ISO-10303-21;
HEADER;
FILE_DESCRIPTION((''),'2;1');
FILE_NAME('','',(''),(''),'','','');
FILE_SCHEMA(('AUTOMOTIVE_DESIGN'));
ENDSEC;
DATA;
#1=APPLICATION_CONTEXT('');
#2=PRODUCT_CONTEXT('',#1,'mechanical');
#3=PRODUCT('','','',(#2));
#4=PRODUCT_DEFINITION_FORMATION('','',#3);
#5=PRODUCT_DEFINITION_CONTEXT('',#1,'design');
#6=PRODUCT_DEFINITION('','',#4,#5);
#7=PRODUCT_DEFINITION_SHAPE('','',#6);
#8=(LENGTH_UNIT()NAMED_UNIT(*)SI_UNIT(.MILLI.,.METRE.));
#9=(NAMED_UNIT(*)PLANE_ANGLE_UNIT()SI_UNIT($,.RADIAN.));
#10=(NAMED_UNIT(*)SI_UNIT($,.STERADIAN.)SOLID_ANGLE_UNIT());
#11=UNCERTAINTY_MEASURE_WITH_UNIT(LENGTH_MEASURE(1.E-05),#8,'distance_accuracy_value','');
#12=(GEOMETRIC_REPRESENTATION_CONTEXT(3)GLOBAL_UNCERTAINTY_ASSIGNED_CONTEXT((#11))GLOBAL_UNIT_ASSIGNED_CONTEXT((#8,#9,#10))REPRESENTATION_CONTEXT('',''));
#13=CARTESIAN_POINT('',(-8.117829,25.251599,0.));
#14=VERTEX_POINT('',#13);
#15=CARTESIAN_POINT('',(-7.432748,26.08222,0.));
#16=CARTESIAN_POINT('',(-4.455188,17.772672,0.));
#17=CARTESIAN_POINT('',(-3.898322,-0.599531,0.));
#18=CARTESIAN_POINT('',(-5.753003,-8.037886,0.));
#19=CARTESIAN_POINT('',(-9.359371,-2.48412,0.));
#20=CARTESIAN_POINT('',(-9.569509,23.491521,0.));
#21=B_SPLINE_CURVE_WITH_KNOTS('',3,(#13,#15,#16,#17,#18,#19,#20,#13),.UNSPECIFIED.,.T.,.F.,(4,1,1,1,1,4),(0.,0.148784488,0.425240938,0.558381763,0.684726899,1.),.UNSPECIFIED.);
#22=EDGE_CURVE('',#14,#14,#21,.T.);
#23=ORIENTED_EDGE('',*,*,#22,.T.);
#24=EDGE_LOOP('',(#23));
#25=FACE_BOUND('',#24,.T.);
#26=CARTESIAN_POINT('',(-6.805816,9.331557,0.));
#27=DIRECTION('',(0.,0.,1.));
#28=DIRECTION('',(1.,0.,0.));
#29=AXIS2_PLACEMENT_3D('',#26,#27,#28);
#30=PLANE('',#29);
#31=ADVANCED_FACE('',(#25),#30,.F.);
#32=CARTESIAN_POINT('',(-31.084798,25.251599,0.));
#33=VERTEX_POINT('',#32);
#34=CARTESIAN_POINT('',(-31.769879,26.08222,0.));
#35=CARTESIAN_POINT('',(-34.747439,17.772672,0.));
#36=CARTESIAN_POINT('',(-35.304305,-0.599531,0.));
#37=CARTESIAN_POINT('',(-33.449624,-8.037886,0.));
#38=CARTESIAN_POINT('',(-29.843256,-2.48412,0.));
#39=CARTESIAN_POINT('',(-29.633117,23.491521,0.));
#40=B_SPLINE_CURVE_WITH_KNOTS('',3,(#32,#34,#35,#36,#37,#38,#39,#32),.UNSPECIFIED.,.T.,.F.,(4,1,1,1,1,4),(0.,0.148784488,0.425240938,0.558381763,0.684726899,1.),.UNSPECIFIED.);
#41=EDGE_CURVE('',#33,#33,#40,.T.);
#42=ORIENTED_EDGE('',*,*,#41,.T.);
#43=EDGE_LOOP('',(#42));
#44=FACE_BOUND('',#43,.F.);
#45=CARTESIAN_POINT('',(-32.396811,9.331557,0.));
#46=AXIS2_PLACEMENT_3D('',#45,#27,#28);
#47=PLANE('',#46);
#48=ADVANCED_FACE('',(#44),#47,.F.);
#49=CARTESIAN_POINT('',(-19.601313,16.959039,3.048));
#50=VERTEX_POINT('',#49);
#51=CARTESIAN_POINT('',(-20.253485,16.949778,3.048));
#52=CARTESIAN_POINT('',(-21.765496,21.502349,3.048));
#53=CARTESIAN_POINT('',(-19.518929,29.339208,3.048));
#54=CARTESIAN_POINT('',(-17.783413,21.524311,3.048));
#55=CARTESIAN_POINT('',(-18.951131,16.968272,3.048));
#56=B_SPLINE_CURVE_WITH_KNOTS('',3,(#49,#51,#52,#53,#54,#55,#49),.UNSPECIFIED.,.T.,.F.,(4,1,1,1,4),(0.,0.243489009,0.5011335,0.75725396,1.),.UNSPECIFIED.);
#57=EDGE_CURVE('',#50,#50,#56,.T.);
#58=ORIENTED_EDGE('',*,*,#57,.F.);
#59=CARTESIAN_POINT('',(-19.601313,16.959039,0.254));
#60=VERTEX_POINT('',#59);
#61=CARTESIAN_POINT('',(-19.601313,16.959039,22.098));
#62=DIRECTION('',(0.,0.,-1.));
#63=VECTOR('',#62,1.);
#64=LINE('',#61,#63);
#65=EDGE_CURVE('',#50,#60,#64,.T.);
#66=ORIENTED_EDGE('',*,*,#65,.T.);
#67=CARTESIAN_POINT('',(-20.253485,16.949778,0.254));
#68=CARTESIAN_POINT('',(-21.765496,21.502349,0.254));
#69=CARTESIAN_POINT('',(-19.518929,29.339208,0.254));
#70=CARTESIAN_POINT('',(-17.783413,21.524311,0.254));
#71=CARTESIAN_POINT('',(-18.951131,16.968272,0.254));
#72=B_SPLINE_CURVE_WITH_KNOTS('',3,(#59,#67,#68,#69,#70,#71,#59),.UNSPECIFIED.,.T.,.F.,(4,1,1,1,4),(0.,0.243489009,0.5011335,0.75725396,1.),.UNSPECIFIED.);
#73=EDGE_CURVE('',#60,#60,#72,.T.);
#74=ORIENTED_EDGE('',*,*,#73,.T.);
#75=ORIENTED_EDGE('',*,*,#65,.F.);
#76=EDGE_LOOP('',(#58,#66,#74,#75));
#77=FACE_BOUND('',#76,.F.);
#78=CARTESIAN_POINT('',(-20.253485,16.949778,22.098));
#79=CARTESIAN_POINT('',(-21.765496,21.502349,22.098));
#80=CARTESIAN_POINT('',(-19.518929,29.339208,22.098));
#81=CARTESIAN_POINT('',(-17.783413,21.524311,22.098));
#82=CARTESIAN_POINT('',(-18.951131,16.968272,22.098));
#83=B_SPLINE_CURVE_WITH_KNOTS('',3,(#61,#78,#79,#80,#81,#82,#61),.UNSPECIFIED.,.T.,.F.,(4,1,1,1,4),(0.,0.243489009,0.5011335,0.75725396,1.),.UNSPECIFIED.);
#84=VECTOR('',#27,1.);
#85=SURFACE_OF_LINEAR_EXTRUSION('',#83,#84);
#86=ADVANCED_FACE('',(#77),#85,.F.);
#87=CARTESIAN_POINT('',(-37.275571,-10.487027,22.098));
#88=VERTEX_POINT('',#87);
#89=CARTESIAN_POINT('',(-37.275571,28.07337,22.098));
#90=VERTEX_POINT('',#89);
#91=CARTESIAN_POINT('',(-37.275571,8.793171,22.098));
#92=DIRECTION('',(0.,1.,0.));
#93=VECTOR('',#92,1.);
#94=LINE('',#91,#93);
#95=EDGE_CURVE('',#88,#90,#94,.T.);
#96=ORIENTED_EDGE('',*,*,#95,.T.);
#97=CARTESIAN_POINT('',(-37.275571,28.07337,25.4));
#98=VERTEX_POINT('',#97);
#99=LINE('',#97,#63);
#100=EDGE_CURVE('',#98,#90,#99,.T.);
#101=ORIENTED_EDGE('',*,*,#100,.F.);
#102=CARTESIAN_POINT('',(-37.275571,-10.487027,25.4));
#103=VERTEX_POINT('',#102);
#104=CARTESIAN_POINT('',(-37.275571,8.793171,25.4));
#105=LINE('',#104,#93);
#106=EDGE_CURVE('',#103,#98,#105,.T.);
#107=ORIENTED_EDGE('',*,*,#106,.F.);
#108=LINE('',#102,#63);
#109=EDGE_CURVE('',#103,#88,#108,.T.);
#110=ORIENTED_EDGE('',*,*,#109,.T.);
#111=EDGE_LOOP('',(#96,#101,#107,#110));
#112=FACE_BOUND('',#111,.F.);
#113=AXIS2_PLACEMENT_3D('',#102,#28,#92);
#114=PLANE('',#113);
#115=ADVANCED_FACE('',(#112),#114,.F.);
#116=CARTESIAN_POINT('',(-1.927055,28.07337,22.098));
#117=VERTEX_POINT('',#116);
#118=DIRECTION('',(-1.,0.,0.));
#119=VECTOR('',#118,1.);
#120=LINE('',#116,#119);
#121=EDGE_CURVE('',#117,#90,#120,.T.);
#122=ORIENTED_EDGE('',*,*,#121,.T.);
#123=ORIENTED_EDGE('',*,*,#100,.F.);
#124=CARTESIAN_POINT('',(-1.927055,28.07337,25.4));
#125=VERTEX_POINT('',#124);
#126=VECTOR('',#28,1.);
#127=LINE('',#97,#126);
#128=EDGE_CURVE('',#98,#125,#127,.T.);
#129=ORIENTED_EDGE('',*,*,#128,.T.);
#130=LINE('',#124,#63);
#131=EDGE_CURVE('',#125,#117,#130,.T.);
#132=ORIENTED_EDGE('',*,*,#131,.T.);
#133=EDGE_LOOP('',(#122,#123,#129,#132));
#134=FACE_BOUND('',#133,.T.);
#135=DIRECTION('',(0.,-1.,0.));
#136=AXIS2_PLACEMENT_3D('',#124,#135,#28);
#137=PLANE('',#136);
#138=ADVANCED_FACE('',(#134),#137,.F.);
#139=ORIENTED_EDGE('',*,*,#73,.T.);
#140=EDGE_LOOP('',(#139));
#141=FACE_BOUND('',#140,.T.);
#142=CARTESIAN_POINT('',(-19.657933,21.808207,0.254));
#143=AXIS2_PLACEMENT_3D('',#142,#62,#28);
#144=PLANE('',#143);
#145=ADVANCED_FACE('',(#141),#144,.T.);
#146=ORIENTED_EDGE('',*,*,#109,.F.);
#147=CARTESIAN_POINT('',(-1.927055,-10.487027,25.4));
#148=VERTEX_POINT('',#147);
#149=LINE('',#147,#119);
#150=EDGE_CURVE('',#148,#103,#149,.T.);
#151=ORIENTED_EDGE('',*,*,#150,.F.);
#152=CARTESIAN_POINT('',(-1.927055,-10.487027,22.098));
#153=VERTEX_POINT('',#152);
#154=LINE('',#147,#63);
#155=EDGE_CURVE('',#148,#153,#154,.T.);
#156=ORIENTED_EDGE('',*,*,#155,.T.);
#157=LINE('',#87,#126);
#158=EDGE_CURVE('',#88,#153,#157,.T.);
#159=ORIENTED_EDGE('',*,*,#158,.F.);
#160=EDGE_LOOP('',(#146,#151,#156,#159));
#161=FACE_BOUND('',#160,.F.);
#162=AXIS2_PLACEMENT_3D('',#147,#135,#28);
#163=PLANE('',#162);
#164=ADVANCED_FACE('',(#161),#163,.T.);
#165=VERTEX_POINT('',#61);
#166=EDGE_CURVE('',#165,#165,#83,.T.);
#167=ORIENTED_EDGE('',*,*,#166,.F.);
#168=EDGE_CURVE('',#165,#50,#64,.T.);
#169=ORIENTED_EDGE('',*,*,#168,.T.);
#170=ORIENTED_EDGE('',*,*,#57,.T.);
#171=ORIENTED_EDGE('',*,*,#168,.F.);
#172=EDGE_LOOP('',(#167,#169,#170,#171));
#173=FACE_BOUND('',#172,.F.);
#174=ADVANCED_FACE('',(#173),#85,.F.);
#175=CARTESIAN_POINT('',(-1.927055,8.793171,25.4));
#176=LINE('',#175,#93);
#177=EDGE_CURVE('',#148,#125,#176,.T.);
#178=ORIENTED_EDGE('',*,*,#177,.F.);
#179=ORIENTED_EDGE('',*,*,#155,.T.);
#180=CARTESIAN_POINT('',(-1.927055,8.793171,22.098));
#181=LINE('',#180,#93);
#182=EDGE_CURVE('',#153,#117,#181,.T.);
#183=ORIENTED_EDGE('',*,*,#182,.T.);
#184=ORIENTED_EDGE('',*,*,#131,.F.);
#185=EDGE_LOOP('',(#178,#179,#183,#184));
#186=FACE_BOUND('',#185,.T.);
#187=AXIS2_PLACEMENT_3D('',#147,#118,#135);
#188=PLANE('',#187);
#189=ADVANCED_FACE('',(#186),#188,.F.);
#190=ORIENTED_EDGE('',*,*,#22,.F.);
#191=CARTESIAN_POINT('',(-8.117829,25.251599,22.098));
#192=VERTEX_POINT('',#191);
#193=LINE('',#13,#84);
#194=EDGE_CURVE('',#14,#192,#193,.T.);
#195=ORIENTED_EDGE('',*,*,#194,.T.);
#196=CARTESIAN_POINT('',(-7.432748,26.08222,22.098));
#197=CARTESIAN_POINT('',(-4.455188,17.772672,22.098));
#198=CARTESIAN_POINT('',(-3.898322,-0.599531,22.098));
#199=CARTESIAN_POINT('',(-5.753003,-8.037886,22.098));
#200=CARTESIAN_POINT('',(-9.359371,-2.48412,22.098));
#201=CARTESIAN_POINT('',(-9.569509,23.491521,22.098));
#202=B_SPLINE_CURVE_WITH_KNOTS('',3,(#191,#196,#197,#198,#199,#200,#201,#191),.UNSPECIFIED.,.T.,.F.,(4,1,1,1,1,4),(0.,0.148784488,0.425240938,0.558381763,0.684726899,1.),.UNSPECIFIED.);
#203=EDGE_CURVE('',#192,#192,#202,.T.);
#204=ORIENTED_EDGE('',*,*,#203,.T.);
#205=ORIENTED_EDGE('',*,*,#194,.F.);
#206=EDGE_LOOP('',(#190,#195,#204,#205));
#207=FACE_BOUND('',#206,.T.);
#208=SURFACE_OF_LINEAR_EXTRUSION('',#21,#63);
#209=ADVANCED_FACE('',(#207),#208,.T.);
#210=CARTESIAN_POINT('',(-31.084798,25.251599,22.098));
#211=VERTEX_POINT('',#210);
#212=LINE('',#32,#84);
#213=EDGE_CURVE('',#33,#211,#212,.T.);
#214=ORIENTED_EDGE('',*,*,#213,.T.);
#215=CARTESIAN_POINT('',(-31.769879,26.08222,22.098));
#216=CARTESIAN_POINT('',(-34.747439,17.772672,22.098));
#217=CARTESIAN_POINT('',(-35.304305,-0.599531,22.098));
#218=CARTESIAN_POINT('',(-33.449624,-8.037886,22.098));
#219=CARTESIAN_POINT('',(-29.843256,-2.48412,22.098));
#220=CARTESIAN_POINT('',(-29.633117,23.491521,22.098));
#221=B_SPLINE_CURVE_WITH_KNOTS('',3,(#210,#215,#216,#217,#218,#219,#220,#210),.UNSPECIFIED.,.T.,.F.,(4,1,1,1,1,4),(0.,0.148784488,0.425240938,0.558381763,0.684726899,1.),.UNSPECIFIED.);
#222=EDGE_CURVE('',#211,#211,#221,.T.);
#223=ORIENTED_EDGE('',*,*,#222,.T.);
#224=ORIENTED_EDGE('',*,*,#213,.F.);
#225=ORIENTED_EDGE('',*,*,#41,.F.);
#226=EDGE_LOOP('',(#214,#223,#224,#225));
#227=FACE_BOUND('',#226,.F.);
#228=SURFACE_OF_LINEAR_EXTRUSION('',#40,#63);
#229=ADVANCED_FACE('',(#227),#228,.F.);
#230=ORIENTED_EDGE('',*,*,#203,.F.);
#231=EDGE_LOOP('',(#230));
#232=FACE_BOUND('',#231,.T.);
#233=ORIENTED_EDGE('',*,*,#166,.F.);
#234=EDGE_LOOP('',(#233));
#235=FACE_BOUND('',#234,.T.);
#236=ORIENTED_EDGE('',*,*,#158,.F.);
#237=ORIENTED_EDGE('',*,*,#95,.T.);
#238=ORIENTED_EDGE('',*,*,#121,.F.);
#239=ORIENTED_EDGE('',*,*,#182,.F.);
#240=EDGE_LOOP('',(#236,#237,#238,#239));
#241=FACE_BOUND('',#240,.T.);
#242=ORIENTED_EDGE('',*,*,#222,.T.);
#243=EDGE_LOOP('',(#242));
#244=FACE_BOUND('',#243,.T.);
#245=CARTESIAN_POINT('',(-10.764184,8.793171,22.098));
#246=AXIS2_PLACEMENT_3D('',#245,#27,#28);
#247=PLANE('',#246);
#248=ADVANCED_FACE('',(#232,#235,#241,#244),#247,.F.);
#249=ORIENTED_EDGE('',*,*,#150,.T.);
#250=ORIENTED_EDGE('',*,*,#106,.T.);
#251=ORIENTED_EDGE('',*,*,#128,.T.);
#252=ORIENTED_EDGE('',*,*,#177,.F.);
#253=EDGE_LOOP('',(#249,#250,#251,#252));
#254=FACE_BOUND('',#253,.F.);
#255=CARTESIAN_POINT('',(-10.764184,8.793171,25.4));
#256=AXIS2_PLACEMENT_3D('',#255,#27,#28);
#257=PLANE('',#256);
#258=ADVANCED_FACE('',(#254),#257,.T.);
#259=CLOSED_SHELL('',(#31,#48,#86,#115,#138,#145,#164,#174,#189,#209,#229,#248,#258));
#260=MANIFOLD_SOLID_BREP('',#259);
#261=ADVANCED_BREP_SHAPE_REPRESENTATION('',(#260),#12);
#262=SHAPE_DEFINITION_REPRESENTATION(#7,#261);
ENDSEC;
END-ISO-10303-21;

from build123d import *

# Parameters (mm, degrees)
F1_DEPTH = 25.4
F2_W     = 17.6742579788
F2_H     = 38.560397923
F3_DEPTH = 3.302
F6_DEPTH = 19.05
F7_DEPTH = 21.844


with BuildPart() as f1:
    # F0 (on Top) → F1 (new body)
    with BuildSketch(Plane.XY):
        with BuildLine():
            add(Edge.make_bspline(
                [(-31.0847982764, 25.2515990287), (-31.7698792393, 26.0822197703), (-34.7474391826, 17.7726717647), (-35.3043048421, -0.599531426), (-33.4496241903, -8.0378860922), (-29.8432562482, -2.4841204704), (-29.6331173718, 23.4915205345), (-31.0847982764, 25.2515990287)],
                knots=[0, 0, 0, 0, 0.1487844876, 0.425240938, 0.5583817626, 0.6847268991, 1, 1, 1, 1], degree=3))
        make_face()
    extrude(amount=F1_DEPTH)

    # F2 (on face) → F3 (join)
    with BuildSketch(Plane.XY.offset(25.4)):
        with Locations((-28.4384423867, 8.7931714952)):
            Rectangle(F2_W, F2_H)
        with BuildLine():
            add(Edge.make_bspline(
                [(-31.0847982764, 25.2515990287), (-31.7698792393, 26.0822197703), (-34.7474391826, 17.7726717647), (-35.3043048421, -0.599531426), (-33.4496241903, -8.0378860922), (-29.8432562482, -2.4841204704), (-29.6331173718, 23.4915205345), (-31.0847982764, 25.2515990287)],
                knots=[0, 0, 0, 0, 0.1487844876, 0.425240938, 0.5583817626, 0.6847268991, 1, 1, 1, 1], degree=3))
        make_face(mode=Mode.SUBTRACT)
    extrude(amount=-F3_DEPTH)

    # F4: F1 across face


with BuildPart() as f1_1:
    add(f1.part)
    add(f1.part.mirror(Plane(origin=(-19.6013133973, 8.7931714952, 23.749), x_dir=(0, 1, 0), z_dir=(1, 0, 0))))

    # F5 (on face) → F6 (join)
    with BuildSketch(Plane(origin=(0, 0, 22.098), x_dir=(1, 0, 0), z_dir=(0, 0, -1))):
        with BuildLine():
            add(Edge.make_bspline(
                [(-19.6013133973, -16.9590394944), (-20.2534853579, -16.9497783141), (-21.7654957969, -21.5023492217), (-19.5189288998, -29.3392084323), (-17.7834131566, -21.5243112248), (-18.9511314366, -16.9682724157), (-19.6013133973, -16.9590394944)],
                knots=[0, 0, 0, 0, 0.2434890086, 0.5011335003, 0.7572539598, 1, 1, 1, 1], degree=3))
        make_face()
    extrude(amount=F6_DEPTH)

    # F5 (on face) → F7 (join)
    with BuildSketch(Plane(origin=(0, 0, 22.098), x_dir=(1, 0, 0), z_dir=(0, 0, -1))):
        with BuildLine():
            add(Edge.make_bspline(
                [(-19.6013133973, -16.9590394944), (-20.2534853579, -16.9497783141), (-21.7654957969, -21.5023492217), (-19.5189288998, -29.3392084323), (-17.7834131566, -21.5243112248), (-18.9511314366, -16.9682724157), (-19.6013133973, -16.9590394944)],
                knots=[0, 0, 0, 0, 0.2434890086, 0.5011335003, 0.7572539598, 1, 1, 1, 1], degree=3))
        make_face()
    extrude(amount=F7_DEPTH)


solid = f1_1.part
